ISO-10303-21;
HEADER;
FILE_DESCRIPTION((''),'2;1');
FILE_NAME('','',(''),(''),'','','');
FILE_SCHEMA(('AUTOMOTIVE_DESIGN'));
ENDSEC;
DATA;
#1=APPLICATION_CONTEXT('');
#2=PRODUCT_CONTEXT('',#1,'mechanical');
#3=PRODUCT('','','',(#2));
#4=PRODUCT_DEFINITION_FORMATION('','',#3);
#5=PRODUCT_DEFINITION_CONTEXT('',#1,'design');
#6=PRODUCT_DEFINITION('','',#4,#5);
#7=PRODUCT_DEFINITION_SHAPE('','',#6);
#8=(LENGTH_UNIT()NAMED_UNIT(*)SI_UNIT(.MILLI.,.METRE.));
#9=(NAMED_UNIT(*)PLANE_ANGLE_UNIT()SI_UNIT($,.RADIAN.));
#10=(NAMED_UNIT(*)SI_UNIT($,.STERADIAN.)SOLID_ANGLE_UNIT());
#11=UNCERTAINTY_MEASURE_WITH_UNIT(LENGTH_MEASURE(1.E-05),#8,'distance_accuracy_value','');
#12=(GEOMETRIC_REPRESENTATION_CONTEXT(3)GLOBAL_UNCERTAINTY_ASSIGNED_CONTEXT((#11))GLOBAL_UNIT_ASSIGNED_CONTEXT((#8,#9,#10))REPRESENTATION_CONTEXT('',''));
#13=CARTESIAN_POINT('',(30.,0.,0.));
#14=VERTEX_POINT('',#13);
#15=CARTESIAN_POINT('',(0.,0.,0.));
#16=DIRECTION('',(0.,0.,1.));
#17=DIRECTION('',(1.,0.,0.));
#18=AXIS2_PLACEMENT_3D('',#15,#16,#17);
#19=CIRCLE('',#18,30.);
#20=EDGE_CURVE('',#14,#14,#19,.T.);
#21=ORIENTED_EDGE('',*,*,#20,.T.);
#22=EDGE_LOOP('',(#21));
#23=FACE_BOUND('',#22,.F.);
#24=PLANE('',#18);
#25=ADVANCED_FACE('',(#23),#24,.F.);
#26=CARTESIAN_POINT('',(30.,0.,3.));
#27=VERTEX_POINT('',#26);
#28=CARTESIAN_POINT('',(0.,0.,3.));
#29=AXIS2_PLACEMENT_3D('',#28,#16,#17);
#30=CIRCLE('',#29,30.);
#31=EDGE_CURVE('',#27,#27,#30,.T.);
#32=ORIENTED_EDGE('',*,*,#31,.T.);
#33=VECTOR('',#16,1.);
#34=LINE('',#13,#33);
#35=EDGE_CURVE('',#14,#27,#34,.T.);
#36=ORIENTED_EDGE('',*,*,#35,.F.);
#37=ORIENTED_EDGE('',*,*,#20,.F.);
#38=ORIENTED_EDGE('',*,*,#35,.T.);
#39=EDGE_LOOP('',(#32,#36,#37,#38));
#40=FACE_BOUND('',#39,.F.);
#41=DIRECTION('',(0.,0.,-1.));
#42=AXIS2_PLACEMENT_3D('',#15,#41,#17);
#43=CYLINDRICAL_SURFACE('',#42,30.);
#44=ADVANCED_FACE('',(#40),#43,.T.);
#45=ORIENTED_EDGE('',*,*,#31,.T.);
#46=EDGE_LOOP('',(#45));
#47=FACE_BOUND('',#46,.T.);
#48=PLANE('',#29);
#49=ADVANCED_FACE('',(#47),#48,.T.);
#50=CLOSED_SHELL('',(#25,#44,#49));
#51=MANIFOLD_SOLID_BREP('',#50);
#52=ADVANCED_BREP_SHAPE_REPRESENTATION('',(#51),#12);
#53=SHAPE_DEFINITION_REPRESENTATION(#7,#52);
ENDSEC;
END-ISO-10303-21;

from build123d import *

# Parameters (mm, degrees)
SKETCH_R  = 30
PAD_DEPTH = 3


with BuildPart() as part:
    # Sketch → Pad (new body)
    with BuildSketch(Plane.XY):
        Circle(SKETCH_R)
    extrude(amount=PAD_DEPTH)


solid = part.part
